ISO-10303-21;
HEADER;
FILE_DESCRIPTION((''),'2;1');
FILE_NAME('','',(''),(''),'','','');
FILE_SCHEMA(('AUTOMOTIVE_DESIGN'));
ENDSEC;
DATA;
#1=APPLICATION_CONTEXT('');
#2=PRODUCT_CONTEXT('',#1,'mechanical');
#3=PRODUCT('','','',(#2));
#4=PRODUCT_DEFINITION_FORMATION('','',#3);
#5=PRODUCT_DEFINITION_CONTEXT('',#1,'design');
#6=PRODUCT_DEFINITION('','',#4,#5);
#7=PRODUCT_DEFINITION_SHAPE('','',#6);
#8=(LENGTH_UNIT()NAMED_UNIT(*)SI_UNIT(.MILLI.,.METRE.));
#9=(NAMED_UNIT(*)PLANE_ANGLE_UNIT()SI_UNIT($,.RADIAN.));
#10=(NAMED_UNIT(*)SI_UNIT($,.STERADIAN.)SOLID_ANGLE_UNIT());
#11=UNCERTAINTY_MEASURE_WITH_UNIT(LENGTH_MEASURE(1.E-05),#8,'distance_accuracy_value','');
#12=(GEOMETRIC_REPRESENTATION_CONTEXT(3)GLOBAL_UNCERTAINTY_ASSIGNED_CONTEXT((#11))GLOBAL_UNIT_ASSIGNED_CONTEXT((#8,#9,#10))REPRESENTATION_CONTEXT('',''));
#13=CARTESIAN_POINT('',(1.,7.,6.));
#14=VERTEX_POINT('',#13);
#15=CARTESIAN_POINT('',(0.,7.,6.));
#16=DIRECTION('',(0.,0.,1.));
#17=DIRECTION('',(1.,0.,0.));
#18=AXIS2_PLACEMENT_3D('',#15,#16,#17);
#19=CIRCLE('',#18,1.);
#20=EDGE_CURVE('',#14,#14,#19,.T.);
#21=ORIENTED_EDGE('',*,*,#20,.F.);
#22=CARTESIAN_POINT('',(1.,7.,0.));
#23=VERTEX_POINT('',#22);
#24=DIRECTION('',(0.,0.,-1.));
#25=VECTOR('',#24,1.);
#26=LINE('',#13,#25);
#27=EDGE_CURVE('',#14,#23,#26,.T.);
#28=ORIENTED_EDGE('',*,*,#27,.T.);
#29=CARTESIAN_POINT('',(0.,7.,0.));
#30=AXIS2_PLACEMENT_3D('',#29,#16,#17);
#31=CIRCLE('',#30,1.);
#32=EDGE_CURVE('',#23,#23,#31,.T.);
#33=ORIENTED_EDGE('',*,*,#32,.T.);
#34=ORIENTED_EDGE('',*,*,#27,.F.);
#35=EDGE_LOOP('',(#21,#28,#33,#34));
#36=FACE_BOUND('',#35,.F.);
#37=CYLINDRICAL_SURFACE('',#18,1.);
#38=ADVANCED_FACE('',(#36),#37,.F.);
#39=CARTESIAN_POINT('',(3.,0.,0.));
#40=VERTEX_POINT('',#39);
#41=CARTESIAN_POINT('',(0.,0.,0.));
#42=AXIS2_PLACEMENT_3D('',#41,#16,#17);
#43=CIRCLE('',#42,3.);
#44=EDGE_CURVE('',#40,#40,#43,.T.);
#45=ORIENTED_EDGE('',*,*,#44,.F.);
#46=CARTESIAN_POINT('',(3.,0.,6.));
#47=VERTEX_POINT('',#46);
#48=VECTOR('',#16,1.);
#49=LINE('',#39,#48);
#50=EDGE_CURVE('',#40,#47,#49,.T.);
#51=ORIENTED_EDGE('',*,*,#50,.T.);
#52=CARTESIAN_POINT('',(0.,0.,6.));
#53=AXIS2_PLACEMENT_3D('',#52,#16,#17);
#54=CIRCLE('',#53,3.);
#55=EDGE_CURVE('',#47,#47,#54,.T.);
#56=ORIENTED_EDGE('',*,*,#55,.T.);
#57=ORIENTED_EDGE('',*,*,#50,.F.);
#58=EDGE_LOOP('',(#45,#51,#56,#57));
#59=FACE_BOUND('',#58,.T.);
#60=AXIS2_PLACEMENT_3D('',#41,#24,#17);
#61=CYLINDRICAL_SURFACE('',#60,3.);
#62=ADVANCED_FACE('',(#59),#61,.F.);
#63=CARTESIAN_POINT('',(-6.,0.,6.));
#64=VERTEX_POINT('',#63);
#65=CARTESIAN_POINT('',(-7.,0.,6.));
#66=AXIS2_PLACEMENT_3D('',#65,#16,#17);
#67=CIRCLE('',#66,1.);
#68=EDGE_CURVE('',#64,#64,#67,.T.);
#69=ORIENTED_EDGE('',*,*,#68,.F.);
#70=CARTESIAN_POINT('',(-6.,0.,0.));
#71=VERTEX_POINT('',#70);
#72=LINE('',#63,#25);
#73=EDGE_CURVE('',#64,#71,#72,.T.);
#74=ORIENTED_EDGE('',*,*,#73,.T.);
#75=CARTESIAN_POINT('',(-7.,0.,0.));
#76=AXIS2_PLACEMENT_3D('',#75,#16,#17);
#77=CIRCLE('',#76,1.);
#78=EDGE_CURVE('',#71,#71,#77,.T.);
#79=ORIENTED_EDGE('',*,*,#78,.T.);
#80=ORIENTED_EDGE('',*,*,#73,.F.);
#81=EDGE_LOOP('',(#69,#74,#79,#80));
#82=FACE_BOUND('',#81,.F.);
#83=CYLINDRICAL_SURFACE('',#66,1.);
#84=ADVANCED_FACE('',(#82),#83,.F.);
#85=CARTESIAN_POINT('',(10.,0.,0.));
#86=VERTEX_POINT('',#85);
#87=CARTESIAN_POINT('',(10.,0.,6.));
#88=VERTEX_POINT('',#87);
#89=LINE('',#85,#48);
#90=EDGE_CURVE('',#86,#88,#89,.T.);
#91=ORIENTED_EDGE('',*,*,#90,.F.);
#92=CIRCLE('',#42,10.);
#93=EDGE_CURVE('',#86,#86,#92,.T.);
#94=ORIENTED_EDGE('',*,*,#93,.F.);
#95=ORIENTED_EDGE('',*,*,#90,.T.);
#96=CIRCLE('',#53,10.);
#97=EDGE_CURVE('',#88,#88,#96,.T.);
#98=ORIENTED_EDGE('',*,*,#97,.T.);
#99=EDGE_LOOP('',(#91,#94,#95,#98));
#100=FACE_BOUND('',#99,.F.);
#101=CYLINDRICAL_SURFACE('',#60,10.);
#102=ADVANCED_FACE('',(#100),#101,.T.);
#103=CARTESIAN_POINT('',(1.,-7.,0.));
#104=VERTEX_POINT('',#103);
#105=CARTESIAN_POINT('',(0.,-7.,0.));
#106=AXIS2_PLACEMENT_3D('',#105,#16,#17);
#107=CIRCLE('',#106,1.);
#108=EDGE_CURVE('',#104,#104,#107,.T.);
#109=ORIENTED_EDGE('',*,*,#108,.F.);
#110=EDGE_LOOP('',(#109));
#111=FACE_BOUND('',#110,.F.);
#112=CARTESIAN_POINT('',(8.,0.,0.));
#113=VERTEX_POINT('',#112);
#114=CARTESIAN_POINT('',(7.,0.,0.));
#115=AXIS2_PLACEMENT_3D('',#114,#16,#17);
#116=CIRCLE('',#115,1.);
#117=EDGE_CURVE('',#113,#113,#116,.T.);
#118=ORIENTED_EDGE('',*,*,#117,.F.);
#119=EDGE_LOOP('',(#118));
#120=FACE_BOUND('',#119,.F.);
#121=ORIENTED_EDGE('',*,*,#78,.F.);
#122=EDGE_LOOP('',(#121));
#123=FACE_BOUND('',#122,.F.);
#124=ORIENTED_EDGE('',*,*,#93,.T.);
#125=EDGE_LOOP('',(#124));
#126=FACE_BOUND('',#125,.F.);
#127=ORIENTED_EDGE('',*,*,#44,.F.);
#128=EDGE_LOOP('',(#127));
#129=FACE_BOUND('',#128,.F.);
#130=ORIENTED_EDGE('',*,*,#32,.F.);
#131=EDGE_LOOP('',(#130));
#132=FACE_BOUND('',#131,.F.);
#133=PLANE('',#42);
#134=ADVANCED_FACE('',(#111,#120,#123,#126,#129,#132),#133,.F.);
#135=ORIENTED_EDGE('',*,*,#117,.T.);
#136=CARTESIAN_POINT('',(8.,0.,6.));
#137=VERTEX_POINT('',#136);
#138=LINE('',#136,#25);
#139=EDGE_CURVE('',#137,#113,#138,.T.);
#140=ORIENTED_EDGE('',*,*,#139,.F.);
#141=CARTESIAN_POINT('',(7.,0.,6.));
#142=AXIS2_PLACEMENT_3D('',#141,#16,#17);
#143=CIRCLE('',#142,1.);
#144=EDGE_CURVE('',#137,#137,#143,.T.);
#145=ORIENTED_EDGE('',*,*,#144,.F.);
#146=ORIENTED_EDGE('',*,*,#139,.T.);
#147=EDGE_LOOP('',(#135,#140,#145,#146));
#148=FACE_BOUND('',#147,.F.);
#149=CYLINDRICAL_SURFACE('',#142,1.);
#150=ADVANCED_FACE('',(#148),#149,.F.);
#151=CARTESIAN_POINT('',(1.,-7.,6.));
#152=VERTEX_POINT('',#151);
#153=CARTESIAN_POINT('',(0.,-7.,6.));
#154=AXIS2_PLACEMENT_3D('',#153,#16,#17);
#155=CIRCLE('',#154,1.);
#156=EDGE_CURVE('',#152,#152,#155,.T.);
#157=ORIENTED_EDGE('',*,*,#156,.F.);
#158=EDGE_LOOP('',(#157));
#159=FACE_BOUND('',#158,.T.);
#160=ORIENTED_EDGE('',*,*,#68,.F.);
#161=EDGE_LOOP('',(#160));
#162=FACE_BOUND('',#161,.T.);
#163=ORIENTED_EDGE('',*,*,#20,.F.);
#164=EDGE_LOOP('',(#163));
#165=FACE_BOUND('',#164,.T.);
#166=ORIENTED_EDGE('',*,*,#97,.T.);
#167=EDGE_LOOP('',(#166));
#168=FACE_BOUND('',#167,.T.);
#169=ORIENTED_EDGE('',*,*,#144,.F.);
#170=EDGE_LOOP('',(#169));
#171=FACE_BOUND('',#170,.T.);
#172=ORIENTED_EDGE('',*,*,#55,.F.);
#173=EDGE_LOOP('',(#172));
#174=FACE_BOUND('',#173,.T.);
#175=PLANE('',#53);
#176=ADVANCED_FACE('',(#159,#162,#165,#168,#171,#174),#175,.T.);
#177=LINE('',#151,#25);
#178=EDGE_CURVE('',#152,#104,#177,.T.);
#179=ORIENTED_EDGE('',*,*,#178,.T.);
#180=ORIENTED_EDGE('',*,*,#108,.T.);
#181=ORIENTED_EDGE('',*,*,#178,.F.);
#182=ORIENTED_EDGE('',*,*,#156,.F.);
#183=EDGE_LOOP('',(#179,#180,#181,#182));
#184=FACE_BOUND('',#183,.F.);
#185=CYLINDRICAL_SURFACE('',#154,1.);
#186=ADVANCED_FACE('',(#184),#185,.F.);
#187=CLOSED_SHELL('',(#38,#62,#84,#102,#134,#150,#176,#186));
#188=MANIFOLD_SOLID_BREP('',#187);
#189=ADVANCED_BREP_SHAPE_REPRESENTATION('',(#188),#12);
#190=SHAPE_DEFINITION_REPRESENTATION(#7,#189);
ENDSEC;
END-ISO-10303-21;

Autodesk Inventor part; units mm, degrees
ref_plane "YZ Plane" through (0, 0, 0) normal (1, 0, 0) x (0, 1, 0)
ref_plane "XZ Plane" through (0, 0, 0) normal (0, 1, 0) x (-1, 0, 0)
ref_plane "XY Plane" through (0, 0, 0) normal (0, 0, 1) x (1, 0, 0)
sketch "スケッチ1" plane through (0, 0, 0) normal (0, 0, 1) x (1, 0, 0)
  circle A0 centre (0, 0) radius 3
  circle A1 centre (0, 0) radius 10
  dimension "d0" = 6
  dimension "d1" = 20
extrude "押し出し1" add sketch "スケッチ1" along normal blind 6
sketch "スケッチ3" plane through (0, 0, 6) normal (0, 0, 1) x (1, 0, 0)
  circle A0 centre (0, 0) radius 10
  circle A1 centre (0, 0) radius 7 construction
  circle A2 centre (-7, 0) radius 1
  circle A3 centre (-4.9497, -4.9497) radius 1
  circle A4 centre (4.9497, -4.9497) radius 1
  circle A5 centre (0, -7) radius 1
  circle A6 centre (7, 0) radius 1
  circle A7 centre (4.9497, 4.9497) radius 1
  circle A8 centre (0, 7) radius 1
  circle A9 centre (-4.9497, 4.9497) radius 1
  circle A10 centre (0, 0) radius 5
  circle A11 centre (0, 0) radius 10
  circle A12 centre (0, 0) radius 7 construction
  circle A13 centre (-7, 0) radius 1
  circle A14 centre (-4.9497, -4.9497) radius 1
  circle A15 centre (4.9497, -4.9497) radius 1
  circle A16 centre (0, -7) radius 1
  circle A17 centre (7, 0) radius 1
  circle A18 centre (4.9497, 4.9497) radius 1
  circle A19 centre (0, 7) radius 1
  circle A20 centre (-4.9497, 4.9497) radius 1
  circle A21 centre (0, 0) radius 5
  dimension "d9" = 14
  dimension "d20" = 14
  dimension "d8" = 20
  dimension "d10" = 2
  dimension "d11" = 2
  dimension "d12" = 2
  dimension "d13" = 2
  dimension "d14" = 2
  dimension "d15" = 2
  dimension "d16" = 2
  dimension "d17" = 2
  dimension "d18" = 10
  dimension "d19" = 20
  dimension "d21" = 2
  dimension "d22" = 2
  dimension "d23" = 2
  dimension "d24" = 2
  dimension "d25" = 2
  dimension "d26" = 2
  dimension "d27" = 2
  dimension "d28" = 2
  dimension "d29" = 10
extrude "押し出し3" cut sketch "スケッチ3" against normal blind 10 contours A2 | A5 | A6 | A8
properties part number "Gear20"
